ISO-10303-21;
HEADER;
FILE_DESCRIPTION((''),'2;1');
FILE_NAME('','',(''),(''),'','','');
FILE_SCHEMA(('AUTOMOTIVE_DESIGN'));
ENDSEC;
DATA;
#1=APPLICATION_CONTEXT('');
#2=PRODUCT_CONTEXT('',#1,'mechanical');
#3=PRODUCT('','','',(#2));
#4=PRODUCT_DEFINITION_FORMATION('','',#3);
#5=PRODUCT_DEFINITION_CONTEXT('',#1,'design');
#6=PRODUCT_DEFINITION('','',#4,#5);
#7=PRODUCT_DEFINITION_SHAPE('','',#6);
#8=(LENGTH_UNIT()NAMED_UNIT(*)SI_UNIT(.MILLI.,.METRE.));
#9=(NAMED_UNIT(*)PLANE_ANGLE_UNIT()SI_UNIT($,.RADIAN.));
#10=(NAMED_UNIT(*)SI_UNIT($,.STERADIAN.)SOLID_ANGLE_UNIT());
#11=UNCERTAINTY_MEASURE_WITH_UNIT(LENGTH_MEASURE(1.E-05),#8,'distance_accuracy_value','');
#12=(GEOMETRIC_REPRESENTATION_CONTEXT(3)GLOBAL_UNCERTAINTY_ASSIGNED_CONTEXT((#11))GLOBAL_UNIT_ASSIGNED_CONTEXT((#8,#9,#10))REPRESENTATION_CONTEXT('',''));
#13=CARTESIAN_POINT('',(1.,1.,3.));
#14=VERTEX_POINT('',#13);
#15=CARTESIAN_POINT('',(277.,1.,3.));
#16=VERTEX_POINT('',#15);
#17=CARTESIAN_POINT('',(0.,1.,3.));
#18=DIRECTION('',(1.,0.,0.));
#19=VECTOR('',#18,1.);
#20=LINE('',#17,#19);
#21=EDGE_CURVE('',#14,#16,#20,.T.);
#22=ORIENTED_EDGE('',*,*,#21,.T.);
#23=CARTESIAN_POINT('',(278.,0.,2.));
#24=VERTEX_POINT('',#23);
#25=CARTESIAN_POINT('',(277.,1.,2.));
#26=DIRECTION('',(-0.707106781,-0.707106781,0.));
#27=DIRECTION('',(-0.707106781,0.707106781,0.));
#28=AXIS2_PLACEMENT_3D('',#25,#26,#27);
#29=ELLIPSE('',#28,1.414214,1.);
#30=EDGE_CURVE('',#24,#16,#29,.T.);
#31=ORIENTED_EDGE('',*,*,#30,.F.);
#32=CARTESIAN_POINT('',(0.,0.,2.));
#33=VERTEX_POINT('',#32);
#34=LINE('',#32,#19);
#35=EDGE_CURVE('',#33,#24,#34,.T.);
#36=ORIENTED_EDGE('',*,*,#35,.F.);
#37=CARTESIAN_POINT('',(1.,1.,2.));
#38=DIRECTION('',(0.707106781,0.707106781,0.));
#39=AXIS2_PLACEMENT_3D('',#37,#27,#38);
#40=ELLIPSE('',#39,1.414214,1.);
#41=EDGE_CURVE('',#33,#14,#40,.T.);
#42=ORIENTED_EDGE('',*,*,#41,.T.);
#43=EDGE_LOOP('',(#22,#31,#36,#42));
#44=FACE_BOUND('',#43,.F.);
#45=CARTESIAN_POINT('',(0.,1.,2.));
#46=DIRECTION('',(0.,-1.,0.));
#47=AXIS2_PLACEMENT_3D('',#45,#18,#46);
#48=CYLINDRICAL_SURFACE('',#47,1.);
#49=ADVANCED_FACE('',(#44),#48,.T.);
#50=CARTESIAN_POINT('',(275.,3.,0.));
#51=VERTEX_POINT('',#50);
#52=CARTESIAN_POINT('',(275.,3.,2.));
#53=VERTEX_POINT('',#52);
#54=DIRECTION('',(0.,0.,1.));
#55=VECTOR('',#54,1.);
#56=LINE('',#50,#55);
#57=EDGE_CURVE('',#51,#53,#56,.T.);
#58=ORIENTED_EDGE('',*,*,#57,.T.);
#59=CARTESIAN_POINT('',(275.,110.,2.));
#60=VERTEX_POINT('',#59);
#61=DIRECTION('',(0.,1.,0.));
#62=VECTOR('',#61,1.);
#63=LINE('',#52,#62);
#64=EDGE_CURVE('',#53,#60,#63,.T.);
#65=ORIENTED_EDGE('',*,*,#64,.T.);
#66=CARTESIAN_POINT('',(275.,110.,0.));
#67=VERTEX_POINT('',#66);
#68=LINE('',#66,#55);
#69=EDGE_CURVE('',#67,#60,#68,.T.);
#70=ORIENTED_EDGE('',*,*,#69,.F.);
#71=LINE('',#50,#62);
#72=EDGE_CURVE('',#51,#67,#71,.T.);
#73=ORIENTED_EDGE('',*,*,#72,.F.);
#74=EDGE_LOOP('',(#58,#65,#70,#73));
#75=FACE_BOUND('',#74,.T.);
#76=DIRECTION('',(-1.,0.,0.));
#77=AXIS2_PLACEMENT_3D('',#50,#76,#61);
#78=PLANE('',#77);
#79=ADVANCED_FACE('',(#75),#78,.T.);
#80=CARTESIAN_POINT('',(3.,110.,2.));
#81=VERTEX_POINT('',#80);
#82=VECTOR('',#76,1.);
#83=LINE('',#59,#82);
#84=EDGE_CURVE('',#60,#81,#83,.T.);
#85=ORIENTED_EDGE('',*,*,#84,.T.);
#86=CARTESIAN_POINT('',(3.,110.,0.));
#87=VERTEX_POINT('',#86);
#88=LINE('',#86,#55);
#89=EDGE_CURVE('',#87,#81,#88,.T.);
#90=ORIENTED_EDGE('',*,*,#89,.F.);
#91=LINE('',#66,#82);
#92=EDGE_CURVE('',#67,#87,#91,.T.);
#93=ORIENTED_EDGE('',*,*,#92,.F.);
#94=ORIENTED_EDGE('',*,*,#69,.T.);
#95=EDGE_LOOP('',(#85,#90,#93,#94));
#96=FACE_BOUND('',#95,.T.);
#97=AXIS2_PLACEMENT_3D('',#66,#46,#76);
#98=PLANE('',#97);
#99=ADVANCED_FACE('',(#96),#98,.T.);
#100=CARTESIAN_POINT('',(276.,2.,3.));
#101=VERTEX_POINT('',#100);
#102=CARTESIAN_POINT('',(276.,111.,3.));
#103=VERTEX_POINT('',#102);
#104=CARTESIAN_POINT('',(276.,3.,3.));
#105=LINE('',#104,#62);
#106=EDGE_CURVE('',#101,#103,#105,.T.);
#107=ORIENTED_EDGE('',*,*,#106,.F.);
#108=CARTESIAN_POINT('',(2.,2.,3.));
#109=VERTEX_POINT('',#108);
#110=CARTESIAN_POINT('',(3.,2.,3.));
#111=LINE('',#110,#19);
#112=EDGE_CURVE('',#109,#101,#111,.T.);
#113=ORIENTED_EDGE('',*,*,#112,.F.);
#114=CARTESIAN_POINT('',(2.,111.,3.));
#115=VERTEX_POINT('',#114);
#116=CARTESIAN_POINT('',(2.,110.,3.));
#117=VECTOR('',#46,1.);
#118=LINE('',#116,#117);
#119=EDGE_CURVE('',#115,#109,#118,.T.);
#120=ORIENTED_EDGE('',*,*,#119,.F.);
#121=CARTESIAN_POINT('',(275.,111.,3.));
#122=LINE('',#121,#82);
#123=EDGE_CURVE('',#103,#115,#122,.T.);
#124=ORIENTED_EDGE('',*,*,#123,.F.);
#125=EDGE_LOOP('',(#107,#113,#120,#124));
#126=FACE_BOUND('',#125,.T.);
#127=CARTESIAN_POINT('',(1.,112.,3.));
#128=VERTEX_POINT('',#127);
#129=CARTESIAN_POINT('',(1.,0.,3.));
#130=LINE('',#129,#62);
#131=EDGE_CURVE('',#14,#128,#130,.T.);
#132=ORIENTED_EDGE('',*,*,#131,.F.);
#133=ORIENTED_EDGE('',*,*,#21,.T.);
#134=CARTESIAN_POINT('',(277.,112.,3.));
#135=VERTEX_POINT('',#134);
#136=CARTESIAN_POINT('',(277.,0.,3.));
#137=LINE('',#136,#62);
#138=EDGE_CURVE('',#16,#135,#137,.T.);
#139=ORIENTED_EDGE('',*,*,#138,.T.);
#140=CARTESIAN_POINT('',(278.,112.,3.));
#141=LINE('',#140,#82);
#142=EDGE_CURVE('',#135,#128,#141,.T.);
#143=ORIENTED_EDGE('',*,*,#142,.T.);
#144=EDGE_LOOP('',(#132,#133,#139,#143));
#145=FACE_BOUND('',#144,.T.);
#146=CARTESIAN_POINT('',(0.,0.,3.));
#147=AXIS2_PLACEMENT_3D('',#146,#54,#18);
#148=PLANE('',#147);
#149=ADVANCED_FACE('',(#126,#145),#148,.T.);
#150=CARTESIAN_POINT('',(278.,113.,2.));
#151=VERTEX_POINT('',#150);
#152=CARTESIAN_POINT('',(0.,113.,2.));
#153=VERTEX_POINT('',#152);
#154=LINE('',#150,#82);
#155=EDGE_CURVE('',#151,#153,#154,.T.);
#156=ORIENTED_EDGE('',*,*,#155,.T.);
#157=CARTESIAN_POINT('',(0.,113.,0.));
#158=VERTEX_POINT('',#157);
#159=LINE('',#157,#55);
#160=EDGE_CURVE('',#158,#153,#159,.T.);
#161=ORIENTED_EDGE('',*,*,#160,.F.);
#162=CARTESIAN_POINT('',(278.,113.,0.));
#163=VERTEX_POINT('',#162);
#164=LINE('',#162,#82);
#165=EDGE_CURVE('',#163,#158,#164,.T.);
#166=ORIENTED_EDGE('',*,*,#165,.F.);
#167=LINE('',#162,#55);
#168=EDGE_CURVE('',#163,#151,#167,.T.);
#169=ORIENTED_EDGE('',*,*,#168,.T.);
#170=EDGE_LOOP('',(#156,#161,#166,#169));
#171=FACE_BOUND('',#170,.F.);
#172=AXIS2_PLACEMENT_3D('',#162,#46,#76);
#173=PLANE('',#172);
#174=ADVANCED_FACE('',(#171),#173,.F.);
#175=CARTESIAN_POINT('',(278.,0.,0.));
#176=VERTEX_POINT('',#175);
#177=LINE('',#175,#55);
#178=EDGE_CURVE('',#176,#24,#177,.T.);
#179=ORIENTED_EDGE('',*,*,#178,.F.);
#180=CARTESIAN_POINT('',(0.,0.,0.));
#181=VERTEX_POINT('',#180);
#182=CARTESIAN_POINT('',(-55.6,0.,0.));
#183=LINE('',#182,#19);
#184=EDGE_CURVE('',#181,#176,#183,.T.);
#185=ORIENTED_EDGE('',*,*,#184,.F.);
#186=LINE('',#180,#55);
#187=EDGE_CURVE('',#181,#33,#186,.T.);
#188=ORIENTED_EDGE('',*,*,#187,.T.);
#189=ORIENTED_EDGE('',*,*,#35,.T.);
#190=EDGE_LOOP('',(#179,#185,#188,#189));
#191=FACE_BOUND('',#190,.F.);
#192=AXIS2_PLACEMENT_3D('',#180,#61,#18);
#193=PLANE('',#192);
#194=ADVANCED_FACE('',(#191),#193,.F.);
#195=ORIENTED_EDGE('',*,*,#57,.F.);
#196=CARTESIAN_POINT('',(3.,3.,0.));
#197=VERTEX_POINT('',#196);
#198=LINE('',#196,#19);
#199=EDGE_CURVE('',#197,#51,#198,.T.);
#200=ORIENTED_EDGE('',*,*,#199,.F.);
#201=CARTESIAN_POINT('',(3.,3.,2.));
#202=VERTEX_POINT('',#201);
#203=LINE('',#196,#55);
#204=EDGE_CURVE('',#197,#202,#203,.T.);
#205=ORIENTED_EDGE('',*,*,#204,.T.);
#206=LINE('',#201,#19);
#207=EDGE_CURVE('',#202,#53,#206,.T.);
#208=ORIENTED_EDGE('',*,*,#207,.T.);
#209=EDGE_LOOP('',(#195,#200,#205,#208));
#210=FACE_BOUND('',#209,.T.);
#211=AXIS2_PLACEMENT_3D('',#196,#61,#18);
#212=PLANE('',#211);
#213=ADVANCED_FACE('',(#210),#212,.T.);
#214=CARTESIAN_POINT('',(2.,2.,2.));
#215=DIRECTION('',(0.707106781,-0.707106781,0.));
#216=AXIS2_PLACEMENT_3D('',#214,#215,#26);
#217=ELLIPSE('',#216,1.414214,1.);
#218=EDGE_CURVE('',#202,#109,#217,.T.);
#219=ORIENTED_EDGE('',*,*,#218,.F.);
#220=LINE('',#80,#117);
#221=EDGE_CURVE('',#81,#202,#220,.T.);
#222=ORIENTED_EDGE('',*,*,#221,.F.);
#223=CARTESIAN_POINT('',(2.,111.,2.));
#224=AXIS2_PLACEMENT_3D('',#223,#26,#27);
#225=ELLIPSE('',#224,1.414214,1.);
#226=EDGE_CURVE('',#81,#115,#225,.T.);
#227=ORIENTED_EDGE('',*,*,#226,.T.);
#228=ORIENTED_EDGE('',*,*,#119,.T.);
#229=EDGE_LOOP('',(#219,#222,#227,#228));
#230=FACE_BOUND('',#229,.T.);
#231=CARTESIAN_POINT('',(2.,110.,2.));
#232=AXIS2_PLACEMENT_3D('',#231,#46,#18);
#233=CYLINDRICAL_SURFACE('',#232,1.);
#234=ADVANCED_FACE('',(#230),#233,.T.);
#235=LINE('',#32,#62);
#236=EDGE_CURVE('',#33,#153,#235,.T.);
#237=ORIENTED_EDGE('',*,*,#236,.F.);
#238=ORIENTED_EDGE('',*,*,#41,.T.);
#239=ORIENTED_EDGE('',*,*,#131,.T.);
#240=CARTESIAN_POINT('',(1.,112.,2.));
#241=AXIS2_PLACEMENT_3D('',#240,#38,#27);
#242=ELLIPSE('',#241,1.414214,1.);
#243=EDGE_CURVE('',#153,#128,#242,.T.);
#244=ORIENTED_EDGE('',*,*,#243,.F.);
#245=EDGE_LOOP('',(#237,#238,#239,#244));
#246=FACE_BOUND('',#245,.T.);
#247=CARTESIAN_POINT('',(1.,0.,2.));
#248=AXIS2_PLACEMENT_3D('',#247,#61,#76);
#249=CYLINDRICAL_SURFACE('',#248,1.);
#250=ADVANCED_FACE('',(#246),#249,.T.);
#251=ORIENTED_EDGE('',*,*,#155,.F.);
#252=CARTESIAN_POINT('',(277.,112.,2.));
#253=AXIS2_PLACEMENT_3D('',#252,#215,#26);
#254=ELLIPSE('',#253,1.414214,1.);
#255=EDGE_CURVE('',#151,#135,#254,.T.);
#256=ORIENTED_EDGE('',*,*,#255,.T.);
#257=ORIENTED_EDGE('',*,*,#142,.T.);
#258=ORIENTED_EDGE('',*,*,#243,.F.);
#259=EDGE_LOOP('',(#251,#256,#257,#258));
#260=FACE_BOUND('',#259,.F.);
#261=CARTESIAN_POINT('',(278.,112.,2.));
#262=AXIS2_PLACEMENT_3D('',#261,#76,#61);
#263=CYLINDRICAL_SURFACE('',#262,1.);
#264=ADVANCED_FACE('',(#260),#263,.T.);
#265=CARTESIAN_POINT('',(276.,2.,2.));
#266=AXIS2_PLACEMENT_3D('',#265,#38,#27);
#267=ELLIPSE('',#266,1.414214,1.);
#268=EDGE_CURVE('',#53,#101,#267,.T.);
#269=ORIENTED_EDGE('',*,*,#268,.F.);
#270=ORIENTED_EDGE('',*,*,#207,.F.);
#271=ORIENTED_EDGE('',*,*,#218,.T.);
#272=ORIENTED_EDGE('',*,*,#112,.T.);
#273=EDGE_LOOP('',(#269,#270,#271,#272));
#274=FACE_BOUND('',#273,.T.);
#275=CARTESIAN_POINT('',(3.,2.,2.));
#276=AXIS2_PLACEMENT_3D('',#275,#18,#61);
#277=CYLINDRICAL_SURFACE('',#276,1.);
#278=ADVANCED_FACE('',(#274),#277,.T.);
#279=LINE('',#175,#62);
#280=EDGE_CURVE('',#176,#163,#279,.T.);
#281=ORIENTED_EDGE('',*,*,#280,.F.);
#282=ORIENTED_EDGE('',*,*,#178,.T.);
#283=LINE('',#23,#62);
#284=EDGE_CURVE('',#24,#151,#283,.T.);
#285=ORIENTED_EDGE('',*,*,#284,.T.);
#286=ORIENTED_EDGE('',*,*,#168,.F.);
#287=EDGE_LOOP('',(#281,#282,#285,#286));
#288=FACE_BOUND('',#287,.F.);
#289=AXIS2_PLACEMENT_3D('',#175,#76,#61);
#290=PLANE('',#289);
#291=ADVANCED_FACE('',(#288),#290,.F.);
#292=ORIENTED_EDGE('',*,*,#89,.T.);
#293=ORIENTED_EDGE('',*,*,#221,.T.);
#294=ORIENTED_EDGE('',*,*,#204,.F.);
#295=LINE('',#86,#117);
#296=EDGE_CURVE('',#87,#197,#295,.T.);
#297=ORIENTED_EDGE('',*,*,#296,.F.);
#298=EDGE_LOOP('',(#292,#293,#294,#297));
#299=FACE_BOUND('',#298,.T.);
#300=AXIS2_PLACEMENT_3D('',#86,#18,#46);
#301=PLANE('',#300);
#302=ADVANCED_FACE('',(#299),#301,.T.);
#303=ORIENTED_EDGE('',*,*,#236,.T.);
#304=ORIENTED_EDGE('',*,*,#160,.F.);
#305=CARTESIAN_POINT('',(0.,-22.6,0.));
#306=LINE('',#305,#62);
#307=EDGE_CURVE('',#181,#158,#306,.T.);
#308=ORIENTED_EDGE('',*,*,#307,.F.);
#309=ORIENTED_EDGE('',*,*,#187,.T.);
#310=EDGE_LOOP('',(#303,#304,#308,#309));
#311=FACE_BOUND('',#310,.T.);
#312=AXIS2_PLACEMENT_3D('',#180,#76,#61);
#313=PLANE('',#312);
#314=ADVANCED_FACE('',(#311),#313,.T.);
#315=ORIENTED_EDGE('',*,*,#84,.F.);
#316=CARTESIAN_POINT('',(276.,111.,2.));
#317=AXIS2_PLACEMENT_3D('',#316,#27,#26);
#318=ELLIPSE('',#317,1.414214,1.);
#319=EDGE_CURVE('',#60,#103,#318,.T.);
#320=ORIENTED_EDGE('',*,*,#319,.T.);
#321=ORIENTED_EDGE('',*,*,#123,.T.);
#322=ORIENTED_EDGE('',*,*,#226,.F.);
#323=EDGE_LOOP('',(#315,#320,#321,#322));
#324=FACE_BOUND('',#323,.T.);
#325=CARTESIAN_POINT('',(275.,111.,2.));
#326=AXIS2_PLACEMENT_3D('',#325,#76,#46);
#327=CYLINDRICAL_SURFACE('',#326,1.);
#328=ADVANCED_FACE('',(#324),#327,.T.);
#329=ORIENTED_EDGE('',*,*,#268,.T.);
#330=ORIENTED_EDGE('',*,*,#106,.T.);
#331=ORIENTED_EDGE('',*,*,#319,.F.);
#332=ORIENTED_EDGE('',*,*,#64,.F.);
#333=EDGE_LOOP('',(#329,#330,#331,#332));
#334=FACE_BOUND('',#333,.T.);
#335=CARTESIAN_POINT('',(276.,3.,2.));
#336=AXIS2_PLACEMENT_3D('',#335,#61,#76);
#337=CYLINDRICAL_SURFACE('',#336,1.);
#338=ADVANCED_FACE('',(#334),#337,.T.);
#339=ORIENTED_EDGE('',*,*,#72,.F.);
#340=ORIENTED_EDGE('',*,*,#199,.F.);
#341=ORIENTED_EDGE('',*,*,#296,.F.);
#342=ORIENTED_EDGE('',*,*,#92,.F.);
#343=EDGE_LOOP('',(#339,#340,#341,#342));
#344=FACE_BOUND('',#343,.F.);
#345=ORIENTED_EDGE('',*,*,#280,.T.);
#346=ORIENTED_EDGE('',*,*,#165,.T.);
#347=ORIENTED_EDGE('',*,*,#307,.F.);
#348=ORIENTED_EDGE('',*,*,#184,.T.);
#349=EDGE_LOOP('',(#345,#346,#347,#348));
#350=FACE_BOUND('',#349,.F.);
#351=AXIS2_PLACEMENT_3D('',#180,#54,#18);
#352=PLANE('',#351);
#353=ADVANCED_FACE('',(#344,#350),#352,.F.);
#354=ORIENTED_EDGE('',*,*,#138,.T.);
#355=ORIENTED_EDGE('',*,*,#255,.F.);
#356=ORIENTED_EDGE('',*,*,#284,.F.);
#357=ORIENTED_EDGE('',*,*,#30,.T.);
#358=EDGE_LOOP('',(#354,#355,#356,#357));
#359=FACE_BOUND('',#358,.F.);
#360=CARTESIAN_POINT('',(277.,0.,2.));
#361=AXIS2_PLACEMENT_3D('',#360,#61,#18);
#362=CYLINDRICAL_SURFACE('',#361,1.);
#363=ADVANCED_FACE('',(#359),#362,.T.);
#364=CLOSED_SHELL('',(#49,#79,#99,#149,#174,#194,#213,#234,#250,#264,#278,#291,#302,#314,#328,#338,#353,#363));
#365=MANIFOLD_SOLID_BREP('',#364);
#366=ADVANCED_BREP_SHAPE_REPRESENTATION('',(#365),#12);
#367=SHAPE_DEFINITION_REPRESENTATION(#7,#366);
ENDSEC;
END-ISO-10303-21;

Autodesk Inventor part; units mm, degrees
ref_plane "YZ Plane" through (0, 0, 0) normal (1, 0, 0) x (0, 1, 0)
ref_plane "XZ Plane" through (0, 0, 0) normal (0, 1, 0) x (-1, 0, 0)
ref_plane "XY Plane" through (0, 0, 0) normal (0, 0, 1) x (1, 0, 0)
sketch "Skizze1" plane through (0, 0, 0) normal (0, 0, 1) x (1, 0, 0)
  line L0 (-55.6, 0) -> (333.6, 0) projected
  line L1 (0, -22.6) -> (0, 135.6) projected
  line L2 (3, 3) -> (275, 3)
  line L3 (275, 3) -> (275, 110)
  line L4 (275, 110) -> (3, 110)
  line L5 (3, 110) -> (3, 3)
  line L6 (0, 0) -> (278, 0)
  line L7 (278, 0) -> (278, 113)
  line L8 (278, 113) -> (0, 113)
  line L9 (0, 113) -> (0, 0)
  point P0 (0, 113)
  point P1 (278, 0)
  dimension "d0" = 272
  dimension "d1" = 107
  dimension "d2" = 3
  dimension "d3" = 3
  dimension "d4" = 3
  dimension "d5" = 3
extrude "Extrusion1" add sketch "Skizze1" along normal blind 3
fillet "Rundung1" radius 1 8 edges at (139, 110, 3) (139, 113, 3) (275, 56.5, 3) (278, 56.5, 3) (0, 56.5, 3) (3, 56.5, 3) (139, 3, 3) (139, 0, 3)
properties part number "Dichtung_1" material "Gummi"
